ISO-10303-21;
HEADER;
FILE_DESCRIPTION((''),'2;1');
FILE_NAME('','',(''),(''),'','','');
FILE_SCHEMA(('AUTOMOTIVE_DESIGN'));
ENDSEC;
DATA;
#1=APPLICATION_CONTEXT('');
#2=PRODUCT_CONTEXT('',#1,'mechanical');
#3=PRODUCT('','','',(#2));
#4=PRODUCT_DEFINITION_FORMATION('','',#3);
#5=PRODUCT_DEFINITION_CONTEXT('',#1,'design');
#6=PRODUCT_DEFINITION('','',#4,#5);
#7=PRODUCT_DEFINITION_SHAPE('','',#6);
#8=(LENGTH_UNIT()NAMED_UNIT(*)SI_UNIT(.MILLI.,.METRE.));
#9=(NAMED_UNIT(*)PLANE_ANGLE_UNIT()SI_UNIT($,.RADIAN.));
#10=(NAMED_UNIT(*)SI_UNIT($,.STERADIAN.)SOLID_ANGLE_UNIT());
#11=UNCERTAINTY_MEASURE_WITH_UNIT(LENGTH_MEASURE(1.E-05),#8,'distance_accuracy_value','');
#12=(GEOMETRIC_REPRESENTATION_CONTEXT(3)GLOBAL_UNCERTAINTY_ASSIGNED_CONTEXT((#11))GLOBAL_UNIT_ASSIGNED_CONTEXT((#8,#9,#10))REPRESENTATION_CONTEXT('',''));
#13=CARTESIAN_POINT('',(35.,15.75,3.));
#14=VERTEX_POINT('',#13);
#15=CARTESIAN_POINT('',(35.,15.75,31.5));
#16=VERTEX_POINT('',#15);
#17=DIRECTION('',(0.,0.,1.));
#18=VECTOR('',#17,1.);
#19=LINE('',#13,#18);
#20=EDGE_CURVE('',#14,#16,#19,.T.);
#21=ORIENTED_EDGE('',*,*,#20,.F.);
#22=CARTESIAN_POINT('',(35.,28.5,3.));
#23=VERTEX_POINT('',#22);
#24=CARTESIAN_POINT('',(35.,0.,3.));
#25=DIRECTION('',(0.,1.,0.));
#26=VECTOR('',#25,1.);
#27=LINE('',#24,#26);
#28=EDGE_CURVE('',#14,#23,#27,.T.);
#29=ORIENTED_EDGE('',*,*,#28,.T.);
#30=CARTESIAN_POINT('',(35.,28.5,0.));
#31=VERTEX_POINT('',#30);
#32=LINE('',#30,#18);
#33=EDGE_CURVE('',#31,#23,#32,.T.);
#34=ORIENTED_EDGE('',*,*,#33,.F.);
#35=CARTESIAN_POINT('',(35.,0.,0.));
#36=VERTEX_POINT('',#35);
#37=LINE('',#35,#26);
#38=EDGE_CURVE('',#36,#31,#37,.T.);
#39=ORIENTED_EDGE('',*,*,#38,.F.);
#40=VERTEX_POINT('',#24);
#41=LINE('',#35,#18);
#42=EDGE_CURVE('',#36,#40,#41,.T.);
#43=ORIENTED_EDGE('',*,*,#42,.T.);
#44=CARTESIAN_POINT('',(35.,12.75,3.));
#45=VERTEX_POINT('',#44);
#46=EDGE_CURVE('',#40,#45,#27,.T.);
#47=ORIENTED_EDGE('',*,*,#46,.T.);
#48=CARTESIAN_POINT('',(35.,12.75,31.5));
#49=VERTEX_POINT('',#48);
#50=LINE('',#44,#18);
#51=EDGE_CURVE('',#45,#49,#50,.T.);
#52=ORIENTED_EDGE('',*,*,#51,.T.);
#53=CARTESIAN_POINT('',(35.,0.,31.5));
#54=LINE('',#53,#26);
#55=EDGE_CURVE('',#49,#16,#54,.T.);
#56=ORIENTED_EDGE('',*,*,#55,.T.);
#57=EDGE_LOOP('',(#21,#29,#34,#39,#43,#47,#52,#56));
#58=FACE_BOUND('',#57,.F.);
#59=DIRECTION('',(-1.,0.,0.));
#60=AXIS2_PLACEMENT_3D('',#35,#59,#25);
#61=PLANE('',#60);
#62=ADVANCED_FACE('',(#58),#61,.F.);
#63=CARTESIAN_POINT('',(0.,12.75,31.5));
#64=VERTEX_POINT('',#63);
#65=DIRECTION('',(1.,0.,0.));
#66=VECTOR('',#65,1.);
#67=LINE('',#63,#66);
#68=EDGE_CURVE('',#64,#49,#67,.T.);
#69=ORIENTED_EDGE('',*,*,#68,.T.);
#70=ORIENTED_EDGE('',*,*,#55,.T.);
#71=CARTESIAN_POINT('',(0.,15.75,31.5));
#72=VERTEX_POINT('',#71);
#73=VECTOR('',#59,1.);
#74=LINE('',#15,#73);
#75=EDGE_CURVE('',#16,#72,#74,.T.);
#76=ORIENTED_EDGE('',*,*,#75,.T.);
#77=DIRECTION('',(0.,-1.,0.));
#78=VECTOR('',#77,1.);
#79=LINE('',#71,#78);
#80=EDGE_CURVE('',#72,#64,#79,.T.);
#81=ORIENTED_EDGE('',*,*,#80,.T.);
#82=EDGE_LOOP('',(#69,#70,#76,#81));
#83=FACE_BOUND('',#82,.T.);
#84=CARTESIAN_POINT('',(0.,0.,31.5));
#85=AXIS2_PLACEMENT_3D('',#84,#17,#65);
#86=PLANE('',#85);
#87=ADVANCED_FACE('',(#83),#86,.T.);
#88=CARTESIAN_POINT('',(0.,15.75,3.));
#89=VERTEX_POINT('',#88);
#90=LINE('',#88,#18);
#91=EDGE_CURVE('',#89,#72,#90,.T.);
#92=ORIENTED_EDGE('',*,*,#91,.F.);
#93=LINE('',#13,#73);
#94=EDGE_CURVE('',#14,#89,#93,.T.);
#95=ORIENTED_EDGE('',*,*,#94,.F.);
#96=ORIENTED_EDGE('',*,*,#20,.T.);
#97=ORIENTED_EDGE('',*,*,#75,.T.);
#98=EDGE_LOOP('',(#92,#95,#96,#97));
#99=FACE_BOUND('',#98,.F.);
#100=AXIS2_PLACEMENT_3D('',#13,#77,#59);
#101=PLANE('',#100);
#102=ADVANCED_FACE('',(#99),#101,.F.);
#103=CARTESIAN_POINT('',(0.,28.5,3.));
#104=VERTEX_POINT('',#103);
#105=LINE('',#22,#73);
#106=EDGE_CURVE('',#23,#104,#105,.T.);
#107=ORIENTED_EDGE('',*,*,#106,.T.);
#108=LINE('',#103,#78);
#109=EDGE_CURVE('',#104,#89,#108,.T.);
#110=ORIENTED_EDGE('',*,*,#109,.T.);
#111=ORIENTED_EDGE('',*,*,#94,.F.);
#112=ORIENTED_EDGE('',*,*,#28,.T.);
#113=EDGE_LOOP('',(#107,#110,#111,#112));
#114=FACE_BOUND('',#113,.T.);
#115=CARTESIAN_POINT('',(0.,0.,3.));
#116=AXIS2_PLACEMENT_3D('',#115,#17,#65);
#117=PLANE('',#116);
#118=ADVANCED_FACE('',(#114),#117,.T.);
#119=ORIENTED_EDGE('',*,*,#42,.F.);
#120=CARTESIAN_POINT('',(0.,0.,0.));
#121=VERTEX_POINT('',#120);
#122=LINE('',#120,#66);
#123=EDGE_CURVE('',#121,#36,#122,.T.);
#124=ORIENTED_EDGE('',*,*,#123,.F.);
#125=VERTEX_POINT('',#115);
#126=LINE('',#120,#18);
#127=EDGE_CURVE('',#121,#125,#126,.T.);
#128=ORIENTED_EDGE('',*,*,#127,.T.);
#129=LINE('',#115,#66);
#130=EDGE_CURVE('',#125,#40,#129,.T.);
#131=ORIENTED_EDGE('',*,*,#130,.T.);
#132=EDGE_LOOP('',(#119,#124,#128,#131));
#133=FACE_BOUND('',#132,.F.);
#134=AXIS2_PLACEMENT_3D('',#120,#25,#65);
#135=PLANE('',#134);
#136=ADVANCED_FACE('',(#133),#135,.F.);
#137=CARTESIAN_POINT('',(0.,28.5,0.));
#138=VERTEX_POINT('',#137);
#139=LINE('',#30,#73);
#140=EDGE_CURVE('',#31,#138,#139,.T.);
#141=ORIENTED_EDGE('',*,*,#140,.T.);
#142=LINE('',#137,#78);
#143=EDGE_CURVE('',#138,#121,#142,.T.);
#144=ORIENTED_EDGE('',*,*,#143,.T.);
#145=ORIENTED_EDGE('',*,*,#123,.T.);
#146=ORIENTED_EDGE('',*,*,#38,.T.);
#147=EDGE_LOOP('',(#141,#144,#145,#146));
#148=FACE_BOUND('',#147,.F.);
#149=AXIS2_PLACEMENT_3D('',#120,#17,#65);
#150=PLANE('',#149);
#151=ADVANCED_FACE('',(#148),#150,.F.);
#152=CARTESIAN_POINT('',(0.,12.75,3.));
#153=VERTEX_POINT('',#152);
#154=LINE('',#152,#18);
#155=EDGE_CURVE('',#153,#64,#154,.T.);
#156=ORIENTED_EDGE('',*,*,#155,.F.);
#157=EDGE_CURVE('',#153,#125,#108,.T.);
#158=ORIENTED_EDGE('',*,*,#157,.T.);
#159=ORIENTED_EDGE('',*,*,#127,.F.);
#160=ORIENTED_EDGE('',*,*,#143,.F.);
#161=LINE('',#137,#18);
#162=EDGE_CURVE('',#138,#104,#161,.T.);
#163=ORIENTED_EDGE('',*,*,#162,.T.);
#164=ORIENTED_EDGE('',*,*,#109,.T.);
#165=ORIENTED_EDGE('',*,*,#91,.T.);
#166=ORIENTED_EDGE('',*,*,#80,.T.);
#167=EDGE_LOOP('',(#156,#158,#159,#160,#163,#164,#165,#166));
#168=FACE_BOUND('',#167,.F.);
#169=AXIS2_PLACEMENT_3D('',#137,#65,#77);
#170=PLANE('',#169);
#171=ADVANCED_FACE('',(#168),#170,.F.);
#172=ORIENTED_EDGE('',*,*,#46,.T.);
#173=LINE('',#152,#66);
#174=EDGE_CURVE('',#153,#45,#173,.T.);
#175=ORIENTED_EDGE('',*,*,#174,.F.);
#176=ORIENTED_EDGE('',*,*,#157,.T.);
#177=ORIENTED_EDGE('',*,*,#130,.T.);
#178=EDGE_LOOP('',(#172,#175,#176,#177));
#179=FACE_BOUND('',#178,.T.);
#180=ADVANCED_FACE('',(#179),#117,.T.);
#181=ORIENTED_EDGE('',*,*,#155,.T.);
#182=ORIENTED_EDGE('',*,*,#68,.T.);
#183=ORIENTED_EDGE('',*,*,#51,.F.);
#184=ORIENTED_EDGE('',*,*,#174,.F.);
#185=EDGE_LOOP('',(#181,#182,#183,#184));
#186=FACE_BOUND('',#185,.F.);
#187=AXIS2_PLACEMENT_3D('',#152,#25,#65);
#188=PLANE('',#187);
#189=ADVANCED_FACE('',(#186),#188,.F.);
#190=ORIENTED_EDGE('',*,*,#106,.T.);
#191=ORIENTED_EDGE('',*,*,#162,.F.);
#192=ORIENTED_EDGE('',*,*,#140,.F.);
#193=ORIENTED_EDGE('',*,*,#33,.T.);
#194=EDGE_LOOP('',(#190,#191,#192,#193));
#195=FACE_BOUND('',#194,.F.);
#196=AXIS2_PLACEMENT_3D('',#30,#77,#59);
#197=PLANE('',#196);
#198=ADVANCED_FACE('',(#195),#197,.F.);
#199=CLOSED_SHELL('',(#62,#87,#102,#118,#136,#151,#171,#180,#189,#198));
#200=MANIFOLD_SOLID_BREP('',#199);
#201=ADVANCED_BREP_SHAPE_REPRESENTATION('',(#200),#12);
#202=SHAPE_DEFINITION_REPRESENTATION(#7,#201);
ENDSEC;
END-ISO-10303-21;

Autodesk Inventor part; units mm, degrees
ref_plane "YZ Plane" through (0, 0, 0) normal (1, 0, 0) x (0, 1, 0)
ref_plane "XZ Plane" through (0, 0, 0) normal (0, 1, 0) x (-1, 0, 0)
ref_plane "XY Plane" through (0, 0, 0) normal (0, 0, 1) x (1, 0, 0)
sketch "Sketch1" plane through (0, 0, 0) normal (0, 0, 1) x (1, 0, 0)
  line L0 (0, 0) -> (35, 0)
  line L1 (35, 0) -> (35, 28.5)
  line L2 (35, 28.5) -> (0, 28.5)
  line L3 (0, 28.5) -> (0, 0)
  dimension "d0" = 35
  dimension "d1" = 28.5
extrude "Extrusion1" add sketch "Sketch1" along normal blind 3
sketch "Sketch2" plane through (0, 0, 3) normal (0, 0, 1) x (1, 0, 0)
  line L0 (35, 0) -> (35, 28.5) projected
  line L1 (0, 12.75) -> (35, 12.75)
  line L2 (35, 12.75) -> (35, 15.75)
  line L3 (35, 15.75) -> (0, 15.75)
  line L4 (0, 15.75) -> (0, 12.75)
  line L5 (0, 12.75) -> (35, 15.75) construction
  line L6 (35, 12.75) -> (0, 15.75) construction
  point P0 (0, 0)
  point P1 (17.5, 14.25)
  dimension "d4" = 3
extrude "Extrusion2" add sketch "Sketch2" along normal blind 28.5
properties part number "Fof"
